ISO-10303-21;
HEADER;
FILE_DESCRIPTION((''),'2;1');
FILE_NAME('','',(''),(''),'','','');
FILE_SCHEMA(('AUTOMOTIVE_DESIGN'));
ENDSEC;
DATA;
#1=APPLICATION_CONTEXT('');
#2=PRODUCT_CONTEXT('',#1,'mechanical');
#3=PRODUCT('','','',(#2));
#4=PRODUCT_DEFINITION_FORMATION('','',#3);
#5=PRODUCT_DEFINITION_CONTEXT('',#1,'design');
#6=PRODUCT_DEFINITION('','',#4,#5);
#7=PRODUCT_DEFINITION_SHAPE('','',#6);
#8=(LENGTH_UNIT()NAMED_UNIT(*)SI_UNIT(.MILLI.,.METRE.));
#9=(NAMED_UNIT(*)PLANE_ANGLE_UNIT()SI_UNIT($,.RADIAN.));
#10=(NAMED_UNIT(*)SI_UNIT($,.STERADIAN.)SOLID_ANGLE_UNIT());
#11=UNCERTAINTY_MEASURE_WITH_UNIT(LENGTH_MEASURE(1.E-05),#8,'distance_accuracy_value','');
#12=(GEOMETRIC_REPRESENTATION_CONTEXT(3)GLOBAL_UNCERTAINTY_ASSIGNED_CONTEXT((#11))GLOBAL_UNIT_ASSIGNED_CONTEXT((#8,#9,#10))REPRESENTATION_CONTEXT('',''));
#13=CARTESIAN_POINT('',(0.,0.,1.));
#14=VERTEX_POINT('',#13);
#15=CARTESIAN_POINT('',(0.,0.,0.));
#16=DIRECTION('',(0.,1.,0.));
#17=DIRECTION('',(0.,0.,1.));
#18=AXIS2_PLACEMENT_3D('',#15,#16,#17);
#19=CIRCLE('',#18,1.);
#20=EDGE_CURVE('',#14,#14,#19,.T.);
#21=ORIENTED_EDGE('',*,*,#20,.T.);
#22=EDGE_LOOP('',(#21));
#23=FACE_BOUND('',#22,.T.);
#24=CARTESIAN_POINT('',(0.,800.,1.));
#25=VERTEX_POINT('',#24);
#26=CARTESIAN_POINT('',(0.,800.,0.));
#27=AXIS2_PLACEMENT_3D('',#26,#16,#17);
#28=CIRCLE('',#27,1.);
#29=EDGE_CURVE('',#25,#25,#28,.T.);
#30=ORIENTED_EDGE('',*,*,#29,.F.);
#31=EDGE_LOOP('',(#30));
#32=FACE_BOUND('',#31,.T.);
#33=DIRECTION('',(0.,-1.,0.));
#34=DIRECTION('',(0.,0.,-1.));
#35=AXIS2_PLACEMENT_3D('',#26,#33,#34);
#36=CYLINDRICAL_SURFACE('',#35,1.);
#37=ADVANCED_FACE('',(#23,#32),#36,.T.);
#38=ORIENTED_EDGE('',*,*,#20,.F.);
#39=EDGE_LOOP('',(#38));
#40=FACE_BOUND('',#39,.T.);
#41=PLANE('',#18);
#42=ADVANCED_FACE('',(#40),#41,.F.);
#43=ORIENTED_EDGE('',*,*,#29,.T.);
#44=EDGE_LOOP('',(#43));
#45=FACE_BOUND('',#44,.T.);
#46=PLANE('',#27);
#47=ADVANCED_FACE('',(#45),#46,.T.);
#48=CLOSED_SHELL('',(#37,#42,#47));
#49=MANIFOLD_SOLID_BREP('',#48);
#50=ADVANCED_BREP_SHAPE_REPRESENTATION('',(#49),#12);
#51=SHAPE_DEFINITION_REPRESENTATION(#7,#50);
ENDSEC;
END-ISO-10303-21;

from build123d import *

# Parameters (mm, degrees)
SKETCH_1_R      = 1
EXTRUDE_1_DEPTH = 800


with BuildPart() as part:
    # 草图1 → 凸台-拉伸1 (new body)
    with BuildSketch(Plane(origin=(0, 0, 0), x_dir=(1, 0, 0), z_dir=(0, 1, 0))):
        Circle(SKETCH_1_R)
    extrude(amount=EXTRUDE_1_DEPTH)


solid = part.part
